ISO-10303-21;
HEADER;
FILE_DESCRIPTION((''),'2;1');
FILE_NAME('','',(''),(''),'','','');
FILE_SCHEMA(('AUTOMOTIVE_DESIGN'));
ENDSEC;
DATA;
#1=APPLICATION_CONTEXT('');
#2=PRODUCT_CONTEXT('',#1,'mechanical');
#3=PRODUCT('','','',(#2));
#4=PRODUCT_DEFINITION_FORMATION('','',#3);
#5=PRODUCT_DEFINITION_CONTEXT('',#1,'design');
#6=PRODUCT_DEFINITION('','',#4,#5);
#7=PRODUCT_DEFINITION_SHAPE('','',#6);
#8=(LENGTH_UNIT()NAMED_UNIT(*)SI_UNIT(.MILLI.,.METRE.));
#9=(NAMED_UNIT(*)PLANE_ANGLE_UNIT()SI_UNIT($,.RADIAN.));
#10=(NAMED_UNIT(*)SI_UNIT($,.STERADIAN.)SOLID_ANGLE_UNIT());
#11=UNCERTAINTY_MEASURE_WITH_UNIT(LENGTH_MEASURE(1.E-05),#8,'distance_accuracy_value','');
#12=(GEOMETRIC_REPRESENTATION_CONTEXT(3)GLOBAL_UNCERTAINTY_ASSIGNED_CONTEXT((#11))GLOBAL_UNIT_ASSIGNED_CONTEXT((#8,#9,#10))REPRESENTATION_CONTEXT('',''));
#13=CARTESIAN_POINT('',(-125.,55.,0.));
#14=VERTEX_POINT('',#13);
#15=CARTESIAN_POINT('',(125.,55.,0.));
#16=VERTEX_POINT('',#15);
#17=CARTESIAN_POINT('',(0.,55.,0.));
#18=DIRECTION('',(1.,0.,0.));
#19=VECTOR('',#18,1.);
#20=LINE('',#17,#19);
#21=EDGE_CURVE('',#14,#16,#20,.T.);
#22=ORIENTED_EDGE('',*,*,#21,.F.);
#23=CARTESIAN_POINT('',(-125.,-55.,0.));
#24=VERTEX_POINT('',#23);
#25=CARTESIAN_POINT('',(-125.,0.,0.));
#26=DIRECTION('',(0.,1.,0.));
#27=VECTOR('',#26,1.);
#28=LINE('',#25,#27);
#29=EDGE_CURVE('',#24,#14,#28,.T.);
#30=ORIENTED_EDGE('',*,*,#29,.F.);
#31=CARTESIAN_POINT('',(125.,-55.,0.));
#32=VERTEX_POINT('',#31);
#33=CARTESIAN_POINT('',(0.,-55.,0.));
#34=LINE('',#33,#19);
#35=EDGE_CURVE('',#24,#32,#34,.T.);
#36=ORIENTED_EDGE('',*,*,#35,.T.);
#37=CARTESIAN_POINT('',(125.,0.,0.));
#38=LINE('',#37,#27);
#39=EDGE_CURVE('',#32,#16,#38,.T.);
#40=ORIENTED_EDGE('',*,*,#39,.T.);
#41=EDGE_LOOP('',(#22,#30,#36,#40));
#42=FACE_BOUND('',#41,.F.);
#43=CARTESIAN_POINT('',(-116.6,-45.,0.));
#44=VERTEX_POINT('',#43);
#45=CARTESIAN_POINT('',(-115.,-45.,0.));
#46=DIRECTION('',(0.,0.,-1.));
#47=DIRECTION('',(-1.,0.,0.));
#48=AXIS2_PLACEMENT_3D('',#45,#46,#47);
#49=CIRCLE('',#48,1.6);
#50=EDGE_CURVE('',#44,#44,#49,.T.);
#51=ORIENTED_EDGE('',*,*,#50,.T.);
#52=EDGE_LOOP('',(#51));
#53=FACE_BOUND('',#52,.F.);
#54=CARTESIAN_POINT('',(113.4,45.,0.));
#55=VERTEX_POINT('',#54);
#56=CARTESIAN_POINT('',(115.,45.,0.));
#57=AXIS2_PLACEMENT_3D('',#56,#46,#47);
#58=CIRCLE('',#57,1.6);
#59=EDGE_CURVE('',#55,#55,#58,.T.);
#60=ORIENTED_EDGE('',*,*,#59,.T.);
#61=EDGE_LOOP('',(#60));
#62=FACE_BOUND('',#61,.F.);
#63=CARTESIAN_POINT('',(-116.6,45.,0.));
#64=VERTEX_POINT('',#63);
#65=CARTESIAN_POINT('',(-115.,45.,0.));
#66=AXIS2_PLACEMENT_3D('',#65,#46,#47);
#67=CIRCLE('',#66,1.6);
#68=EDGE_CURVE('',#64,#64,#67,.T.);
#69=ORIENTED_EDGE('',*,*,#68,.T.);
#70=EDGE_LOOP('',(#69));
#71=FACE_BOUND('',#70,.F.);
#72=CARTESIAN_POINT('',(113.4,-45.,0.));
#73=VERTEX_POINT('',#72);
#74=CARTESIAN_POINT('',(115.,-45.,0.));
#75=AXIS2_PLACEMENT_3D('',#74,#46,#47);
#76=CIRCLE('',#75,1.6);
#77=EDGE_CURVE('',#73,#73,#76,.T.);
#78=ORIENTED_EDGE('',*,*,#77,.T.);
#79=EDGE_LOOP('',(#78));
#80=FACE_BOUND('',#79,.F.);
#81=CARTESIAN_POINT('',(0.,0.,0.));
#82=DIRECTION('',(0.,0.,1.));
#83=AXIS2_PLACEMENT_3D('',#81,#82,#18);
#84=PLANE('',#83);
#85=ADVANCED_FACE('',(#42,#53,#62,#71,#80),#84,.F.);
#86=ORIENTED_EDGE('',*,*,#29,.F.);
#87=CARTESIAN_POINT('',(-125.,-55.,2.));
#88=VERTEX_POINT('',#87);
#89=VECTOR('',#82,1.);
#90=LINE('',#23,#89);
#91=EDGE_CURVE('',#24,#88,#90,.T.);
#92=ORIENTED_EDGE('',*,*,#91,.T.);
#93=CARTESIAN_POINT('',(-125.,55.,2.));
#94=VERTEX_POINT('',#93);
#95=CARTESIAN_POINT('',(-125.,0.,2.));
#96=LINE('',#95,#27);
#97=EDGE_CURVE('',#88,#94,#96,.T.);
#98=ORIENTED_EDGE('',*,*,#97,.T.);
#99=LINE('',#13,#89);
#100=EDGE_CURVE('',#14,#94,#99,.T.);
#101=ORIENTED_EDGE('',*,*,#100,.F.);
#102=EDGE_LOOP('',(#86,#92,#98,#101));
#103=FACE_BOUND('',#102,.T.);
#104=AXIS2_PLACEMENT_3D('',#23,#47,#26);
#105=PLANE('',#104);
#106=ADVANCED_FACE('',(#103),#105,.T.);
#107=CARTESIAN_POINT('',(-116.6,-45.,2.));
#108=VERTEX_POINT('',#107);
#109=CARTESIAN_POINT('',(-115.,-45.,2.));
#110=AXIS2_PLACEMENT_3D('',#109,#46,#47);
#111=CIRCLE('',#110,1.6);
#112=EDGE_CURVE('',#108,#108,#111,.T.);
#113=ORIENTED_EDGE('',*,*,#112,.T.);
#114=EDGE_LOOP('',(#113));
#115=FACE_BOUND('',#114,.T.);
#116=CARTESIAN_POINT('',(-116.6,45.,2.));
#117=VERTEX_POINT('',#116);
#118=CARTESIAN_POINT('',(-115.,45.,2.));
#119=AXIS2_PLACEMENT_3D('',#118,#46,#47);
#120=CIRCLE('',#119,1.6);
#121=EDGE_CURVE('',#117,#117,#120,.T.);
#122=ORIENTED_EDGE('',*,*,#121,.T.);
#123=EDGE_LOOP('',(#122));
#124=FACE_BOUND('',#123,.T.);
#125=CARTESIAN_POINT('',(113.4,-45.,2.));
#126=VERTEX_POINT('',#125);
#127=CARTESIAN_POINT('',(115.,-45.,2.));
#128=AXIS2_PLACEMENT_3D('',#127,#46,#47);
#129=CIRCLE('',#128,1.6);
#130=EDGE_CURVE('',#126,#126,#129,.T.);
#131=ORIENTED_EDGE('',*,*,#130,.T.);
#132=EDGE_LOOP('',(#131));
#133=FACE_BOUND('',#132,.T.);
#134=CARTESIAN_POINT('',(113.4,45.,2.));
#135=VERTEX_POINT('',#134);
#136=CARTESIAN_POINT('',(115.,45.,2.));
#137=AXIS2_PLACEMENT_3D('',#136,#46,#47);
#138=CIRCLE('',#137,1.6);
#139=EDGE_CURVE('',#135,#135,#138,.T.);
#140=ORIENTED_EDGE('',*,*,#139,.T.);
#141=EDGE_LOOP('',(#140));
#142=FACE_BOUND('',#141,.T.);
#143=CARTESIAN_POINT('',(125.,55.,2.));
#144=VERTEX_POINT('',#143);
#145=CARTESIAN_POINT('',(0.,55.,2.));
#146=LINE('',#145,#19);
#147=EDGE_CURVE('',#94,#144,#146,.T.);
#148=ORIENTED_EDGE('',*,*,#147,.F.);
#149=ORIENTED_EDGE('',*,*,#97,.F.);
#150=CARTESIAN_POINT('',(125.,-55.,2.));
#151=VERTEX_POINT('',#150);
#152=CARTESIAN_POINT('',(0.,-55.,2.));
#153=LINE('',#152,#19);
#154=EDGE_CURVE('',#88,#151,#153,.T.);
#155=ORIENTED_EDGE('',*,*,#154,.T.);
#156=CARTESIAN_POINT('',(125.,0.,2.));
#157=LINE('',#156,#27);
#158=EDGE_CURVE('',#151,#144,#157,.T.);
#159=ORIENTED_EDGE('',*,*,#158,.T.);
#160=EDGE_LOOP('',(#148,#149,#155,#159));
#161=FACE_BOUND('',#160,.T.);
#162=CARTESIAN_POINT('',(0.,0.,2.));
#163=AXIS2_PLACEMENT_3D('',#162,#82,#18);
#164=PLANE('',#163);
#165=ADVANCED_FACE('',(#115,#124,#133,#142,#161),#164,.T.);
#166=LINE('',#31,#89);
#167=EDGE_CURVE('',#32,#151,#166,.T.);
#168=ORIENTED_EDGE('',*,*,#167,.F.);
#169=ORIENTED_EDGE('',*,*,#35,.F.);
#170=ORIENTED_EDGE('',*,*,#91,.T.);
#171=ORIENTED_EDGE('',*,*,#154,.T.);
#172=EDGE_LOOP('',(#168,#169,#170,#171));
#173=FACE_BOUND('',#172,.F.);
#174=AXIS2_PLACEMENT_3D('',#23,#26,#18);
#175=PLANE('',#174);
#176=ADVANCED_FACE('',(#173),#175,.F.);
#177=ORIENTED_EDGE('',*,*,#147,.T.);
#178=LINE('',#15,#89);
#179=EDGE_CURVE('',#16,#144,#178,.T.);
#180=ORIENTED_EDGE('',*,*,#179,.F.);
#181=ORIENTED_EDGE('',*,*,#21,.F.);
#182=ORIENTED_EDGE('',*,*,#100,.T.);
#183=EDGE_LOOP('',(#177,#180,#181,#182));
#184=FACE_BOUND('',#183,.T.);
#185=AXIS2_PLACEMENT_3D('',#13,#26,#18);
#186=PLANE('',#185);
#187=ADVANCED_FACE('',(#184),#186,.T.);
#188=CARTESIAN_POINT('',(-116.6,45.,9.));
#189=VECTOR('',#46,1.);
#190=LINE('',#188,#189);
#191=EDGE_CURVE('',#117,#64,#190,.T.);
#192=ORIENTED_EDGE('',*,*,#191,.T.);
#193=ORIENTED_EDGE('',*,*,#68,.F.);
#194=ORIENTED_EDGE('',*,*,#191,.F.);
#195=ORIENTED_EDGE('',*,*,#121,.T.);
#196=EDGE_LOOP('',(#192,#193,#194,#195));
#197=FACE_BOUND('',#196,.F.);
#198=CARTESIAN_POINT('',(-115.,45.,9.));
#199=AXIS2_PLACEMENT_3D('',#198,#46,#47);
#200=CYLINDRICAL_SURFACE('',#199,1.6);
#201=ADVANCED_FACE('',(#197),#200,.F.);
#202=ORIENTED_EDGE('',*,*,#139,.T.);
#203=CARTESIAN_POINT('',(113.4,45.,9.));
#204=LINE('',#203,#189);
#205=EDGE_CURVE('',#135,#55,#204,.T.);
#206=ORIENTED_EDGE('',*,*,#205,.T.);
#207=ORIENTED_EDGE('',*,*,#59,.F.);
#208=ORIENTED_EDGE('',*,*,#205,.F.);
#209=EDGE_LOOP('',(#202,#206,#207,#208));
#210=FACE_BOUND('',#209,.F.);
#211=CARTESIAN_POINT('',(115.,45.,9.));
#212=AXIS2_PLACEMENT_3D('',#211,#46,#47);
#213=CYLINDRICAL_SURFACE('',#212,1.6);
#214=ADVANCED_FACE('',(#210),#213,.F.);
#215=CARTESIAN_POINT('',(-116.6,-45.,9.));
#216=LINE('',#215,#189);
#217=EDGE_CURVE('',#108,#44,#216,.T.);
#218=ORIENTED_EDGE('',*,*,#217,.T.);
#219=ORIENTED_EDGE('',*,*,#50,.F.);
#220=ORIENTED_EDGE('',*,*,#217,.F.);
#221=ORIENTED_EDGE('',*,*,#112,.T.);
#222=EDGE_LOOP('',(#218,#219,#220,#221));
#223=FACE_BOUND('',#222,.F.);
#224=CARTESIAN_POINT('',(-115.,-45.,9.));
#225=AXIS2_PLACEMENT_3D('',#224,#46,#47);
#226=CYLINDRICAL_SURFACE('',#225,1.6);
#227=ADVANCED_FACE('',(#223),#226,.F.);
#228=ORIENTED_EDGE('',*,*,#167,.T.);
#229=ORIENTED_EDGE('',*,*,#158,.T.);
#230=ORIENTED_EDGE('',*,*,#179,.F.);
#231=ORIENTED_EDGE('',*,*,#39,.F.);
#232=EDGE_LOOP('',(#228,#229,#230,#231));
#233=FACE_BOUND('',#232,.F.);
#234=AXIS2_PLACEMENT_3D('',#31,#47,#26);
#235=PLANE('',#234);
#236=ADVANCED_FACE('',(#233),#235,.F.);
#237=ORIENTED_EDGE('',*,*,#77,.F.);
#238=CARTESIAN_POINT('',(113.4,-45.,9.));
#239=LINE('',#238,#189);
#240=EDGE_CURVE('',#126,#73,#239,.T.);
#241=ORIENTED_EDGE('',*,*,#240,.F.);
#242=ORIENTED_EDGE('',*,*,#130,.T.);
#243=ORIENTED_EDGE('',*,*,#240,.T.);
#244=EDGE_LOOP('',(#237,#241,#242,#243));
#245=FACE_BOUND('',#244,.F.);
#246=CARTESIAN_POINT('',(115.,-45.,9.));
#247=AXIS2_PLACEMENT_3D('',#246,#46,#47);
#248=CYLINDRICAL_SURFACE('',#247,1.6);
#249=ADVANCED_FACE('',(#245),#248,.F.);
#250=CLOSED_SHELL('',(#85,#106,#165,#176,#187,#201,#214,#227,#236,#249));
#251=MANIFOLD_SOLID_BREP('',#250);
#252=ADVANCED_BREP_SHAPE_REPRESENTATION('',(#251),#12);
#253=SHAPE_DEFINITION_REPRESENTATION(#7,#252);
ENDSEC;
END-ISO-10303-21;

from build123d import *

# Parameters (mm, degrees)
F0_W     = 250
F0_H     = 110
F1_DEPTH = 2
F3_D     = 3.2
F3_DEPTH = 7


with BuildPart() as f1:
    # F0 (on Top) → F1 (new body)
    with BuildSketch(Plane.XY):
        Rectangle(F0_W, F0_H)
    extrude(amount=F1_DEPTH)

    # F3
    with Locations(Plane.XY.offset(2)):
        with Locations((-115, 45), (-115, -45), (115, -45), (115, 45)):
            Hole(F3_D / 2, depth=F3_DEPTH)


solid = f1.part
